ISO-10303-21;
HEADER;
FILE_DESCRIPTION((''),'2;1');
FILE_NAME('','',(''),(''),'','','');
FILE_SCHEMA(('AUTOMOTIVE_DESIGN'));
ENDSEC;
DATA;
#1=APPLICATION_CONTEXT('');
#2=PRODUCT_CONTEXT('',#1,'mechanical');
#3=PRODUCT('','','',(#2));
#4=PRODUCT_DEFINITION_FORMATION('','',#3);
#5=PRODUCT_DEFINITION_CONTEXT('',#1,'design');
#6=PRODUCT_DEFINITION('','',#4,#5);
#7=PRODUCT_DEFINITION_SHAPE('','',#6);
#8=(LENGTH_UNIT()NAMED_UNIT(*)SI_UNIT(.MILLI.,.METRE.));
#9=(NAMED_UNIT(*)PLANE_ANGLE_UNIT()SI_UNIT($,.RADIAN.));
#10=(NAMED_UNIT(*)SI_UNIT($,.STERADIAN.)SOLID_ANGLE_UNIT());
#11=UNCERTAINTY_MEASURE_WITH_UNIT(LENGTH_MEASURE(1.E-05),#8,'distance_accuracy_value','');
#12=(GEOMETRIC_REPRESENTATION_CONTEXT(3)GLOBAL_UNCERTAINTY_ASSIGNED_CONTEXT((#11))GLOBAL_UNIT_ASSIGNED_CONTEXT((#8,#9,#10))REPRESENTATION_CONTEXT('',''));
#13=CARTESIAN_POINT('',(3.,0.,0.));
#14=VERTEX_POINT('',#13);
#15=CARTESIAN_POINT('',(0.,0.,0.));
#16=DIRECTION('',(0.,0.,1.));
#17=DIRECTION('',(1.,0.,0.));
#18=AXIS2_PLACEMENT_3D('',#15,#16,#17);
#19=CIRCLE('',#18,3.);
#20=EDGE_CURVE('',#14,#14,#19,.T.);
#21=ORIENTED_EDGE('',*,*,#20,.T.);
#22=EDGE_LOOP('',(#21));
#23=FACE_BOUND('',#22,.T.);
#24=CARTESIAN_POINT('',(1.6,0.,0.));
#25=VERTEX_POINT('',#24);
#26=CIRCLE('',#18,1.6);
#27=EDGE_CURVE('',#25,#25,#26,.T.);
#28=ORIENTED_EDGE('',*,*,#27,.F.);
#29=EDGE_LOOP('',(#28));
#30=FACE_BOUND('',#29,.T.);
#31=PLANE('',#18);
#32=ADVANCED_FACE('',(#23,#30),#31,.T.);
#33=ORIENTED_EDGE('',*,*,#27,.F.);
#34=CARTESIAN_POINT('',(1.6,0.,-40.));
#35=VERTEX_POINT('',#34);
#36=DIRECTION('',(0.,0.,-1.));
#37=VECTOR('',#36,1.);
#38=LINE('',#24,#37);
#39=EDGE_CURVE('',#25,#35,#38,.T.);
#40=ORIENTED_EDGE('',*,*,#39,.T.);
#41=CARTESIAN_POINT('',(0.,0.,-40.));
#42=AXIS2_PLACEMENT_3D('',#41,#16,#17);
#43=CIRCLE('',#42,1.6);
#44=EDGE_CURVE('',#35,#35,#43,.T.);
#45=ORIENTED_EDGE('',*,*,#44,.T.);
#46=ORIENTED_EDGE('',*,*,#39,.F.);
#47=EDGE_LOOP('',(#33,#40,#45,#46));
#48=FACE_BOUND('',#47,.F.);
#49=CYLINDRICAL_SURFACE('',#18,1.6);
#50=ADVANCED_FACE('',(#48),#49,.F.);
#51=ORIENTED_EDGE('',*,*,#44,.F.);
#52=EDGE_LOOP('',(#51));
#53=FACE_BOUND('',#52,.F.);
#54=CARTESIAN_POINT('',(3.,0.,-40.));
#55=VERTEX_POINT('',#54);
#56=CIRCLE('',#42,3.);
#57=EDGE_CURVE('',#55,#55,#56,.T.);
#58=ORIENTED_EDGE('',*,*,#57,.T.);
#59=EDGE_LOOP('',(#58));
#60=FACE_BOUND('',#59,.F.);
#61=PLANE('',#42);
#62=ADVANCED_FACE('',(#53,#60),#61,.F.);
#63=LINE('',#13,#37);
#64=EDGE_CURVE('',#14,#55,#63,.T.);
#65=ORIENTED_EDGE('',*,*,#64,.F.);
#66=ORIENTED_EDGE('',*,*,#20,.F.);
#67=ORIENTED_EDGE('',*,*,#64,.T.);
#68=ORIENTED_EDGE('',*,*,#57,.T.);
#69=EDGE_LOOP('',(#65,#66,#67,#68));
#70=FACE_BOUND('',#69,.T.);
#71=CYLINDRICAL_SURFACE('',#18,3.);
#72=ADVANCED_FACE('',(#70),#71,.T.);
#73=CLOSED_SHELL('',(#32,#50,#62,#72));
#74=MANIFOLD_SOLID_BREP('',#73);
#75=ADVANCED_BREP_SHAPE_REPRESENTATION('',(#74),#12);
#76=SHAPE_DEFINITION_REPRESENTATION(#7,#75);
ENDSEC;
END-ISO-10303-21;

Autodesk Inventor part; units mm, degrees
ref_plane "YZ Plane" through (0, 0, 0) normal (1, 0, 0) x (0, 1, 0)
ref_plane "XZ Plane" through (0, 0, 0) normal (0, 1, 0) x (-1, 0, 0)
ref_plane "XY Plane" through (0, 0, 0) normal (0, 0, 1) x (1, 0, 0)
sketch "Sketch6" plane through (0, 0, 0) normal (0, 0, 1) x (1, 0, 0)
  circle A0 centre (0, 0) radius 1.6
  circle A1 centre (0, 0) radius 3
  dimension "d13" = 3.2
  dimension "d14" = 6
extrude "Extrusion4" add sketch "Sketch6" against normal blind 40
properties part number "string holder base"
